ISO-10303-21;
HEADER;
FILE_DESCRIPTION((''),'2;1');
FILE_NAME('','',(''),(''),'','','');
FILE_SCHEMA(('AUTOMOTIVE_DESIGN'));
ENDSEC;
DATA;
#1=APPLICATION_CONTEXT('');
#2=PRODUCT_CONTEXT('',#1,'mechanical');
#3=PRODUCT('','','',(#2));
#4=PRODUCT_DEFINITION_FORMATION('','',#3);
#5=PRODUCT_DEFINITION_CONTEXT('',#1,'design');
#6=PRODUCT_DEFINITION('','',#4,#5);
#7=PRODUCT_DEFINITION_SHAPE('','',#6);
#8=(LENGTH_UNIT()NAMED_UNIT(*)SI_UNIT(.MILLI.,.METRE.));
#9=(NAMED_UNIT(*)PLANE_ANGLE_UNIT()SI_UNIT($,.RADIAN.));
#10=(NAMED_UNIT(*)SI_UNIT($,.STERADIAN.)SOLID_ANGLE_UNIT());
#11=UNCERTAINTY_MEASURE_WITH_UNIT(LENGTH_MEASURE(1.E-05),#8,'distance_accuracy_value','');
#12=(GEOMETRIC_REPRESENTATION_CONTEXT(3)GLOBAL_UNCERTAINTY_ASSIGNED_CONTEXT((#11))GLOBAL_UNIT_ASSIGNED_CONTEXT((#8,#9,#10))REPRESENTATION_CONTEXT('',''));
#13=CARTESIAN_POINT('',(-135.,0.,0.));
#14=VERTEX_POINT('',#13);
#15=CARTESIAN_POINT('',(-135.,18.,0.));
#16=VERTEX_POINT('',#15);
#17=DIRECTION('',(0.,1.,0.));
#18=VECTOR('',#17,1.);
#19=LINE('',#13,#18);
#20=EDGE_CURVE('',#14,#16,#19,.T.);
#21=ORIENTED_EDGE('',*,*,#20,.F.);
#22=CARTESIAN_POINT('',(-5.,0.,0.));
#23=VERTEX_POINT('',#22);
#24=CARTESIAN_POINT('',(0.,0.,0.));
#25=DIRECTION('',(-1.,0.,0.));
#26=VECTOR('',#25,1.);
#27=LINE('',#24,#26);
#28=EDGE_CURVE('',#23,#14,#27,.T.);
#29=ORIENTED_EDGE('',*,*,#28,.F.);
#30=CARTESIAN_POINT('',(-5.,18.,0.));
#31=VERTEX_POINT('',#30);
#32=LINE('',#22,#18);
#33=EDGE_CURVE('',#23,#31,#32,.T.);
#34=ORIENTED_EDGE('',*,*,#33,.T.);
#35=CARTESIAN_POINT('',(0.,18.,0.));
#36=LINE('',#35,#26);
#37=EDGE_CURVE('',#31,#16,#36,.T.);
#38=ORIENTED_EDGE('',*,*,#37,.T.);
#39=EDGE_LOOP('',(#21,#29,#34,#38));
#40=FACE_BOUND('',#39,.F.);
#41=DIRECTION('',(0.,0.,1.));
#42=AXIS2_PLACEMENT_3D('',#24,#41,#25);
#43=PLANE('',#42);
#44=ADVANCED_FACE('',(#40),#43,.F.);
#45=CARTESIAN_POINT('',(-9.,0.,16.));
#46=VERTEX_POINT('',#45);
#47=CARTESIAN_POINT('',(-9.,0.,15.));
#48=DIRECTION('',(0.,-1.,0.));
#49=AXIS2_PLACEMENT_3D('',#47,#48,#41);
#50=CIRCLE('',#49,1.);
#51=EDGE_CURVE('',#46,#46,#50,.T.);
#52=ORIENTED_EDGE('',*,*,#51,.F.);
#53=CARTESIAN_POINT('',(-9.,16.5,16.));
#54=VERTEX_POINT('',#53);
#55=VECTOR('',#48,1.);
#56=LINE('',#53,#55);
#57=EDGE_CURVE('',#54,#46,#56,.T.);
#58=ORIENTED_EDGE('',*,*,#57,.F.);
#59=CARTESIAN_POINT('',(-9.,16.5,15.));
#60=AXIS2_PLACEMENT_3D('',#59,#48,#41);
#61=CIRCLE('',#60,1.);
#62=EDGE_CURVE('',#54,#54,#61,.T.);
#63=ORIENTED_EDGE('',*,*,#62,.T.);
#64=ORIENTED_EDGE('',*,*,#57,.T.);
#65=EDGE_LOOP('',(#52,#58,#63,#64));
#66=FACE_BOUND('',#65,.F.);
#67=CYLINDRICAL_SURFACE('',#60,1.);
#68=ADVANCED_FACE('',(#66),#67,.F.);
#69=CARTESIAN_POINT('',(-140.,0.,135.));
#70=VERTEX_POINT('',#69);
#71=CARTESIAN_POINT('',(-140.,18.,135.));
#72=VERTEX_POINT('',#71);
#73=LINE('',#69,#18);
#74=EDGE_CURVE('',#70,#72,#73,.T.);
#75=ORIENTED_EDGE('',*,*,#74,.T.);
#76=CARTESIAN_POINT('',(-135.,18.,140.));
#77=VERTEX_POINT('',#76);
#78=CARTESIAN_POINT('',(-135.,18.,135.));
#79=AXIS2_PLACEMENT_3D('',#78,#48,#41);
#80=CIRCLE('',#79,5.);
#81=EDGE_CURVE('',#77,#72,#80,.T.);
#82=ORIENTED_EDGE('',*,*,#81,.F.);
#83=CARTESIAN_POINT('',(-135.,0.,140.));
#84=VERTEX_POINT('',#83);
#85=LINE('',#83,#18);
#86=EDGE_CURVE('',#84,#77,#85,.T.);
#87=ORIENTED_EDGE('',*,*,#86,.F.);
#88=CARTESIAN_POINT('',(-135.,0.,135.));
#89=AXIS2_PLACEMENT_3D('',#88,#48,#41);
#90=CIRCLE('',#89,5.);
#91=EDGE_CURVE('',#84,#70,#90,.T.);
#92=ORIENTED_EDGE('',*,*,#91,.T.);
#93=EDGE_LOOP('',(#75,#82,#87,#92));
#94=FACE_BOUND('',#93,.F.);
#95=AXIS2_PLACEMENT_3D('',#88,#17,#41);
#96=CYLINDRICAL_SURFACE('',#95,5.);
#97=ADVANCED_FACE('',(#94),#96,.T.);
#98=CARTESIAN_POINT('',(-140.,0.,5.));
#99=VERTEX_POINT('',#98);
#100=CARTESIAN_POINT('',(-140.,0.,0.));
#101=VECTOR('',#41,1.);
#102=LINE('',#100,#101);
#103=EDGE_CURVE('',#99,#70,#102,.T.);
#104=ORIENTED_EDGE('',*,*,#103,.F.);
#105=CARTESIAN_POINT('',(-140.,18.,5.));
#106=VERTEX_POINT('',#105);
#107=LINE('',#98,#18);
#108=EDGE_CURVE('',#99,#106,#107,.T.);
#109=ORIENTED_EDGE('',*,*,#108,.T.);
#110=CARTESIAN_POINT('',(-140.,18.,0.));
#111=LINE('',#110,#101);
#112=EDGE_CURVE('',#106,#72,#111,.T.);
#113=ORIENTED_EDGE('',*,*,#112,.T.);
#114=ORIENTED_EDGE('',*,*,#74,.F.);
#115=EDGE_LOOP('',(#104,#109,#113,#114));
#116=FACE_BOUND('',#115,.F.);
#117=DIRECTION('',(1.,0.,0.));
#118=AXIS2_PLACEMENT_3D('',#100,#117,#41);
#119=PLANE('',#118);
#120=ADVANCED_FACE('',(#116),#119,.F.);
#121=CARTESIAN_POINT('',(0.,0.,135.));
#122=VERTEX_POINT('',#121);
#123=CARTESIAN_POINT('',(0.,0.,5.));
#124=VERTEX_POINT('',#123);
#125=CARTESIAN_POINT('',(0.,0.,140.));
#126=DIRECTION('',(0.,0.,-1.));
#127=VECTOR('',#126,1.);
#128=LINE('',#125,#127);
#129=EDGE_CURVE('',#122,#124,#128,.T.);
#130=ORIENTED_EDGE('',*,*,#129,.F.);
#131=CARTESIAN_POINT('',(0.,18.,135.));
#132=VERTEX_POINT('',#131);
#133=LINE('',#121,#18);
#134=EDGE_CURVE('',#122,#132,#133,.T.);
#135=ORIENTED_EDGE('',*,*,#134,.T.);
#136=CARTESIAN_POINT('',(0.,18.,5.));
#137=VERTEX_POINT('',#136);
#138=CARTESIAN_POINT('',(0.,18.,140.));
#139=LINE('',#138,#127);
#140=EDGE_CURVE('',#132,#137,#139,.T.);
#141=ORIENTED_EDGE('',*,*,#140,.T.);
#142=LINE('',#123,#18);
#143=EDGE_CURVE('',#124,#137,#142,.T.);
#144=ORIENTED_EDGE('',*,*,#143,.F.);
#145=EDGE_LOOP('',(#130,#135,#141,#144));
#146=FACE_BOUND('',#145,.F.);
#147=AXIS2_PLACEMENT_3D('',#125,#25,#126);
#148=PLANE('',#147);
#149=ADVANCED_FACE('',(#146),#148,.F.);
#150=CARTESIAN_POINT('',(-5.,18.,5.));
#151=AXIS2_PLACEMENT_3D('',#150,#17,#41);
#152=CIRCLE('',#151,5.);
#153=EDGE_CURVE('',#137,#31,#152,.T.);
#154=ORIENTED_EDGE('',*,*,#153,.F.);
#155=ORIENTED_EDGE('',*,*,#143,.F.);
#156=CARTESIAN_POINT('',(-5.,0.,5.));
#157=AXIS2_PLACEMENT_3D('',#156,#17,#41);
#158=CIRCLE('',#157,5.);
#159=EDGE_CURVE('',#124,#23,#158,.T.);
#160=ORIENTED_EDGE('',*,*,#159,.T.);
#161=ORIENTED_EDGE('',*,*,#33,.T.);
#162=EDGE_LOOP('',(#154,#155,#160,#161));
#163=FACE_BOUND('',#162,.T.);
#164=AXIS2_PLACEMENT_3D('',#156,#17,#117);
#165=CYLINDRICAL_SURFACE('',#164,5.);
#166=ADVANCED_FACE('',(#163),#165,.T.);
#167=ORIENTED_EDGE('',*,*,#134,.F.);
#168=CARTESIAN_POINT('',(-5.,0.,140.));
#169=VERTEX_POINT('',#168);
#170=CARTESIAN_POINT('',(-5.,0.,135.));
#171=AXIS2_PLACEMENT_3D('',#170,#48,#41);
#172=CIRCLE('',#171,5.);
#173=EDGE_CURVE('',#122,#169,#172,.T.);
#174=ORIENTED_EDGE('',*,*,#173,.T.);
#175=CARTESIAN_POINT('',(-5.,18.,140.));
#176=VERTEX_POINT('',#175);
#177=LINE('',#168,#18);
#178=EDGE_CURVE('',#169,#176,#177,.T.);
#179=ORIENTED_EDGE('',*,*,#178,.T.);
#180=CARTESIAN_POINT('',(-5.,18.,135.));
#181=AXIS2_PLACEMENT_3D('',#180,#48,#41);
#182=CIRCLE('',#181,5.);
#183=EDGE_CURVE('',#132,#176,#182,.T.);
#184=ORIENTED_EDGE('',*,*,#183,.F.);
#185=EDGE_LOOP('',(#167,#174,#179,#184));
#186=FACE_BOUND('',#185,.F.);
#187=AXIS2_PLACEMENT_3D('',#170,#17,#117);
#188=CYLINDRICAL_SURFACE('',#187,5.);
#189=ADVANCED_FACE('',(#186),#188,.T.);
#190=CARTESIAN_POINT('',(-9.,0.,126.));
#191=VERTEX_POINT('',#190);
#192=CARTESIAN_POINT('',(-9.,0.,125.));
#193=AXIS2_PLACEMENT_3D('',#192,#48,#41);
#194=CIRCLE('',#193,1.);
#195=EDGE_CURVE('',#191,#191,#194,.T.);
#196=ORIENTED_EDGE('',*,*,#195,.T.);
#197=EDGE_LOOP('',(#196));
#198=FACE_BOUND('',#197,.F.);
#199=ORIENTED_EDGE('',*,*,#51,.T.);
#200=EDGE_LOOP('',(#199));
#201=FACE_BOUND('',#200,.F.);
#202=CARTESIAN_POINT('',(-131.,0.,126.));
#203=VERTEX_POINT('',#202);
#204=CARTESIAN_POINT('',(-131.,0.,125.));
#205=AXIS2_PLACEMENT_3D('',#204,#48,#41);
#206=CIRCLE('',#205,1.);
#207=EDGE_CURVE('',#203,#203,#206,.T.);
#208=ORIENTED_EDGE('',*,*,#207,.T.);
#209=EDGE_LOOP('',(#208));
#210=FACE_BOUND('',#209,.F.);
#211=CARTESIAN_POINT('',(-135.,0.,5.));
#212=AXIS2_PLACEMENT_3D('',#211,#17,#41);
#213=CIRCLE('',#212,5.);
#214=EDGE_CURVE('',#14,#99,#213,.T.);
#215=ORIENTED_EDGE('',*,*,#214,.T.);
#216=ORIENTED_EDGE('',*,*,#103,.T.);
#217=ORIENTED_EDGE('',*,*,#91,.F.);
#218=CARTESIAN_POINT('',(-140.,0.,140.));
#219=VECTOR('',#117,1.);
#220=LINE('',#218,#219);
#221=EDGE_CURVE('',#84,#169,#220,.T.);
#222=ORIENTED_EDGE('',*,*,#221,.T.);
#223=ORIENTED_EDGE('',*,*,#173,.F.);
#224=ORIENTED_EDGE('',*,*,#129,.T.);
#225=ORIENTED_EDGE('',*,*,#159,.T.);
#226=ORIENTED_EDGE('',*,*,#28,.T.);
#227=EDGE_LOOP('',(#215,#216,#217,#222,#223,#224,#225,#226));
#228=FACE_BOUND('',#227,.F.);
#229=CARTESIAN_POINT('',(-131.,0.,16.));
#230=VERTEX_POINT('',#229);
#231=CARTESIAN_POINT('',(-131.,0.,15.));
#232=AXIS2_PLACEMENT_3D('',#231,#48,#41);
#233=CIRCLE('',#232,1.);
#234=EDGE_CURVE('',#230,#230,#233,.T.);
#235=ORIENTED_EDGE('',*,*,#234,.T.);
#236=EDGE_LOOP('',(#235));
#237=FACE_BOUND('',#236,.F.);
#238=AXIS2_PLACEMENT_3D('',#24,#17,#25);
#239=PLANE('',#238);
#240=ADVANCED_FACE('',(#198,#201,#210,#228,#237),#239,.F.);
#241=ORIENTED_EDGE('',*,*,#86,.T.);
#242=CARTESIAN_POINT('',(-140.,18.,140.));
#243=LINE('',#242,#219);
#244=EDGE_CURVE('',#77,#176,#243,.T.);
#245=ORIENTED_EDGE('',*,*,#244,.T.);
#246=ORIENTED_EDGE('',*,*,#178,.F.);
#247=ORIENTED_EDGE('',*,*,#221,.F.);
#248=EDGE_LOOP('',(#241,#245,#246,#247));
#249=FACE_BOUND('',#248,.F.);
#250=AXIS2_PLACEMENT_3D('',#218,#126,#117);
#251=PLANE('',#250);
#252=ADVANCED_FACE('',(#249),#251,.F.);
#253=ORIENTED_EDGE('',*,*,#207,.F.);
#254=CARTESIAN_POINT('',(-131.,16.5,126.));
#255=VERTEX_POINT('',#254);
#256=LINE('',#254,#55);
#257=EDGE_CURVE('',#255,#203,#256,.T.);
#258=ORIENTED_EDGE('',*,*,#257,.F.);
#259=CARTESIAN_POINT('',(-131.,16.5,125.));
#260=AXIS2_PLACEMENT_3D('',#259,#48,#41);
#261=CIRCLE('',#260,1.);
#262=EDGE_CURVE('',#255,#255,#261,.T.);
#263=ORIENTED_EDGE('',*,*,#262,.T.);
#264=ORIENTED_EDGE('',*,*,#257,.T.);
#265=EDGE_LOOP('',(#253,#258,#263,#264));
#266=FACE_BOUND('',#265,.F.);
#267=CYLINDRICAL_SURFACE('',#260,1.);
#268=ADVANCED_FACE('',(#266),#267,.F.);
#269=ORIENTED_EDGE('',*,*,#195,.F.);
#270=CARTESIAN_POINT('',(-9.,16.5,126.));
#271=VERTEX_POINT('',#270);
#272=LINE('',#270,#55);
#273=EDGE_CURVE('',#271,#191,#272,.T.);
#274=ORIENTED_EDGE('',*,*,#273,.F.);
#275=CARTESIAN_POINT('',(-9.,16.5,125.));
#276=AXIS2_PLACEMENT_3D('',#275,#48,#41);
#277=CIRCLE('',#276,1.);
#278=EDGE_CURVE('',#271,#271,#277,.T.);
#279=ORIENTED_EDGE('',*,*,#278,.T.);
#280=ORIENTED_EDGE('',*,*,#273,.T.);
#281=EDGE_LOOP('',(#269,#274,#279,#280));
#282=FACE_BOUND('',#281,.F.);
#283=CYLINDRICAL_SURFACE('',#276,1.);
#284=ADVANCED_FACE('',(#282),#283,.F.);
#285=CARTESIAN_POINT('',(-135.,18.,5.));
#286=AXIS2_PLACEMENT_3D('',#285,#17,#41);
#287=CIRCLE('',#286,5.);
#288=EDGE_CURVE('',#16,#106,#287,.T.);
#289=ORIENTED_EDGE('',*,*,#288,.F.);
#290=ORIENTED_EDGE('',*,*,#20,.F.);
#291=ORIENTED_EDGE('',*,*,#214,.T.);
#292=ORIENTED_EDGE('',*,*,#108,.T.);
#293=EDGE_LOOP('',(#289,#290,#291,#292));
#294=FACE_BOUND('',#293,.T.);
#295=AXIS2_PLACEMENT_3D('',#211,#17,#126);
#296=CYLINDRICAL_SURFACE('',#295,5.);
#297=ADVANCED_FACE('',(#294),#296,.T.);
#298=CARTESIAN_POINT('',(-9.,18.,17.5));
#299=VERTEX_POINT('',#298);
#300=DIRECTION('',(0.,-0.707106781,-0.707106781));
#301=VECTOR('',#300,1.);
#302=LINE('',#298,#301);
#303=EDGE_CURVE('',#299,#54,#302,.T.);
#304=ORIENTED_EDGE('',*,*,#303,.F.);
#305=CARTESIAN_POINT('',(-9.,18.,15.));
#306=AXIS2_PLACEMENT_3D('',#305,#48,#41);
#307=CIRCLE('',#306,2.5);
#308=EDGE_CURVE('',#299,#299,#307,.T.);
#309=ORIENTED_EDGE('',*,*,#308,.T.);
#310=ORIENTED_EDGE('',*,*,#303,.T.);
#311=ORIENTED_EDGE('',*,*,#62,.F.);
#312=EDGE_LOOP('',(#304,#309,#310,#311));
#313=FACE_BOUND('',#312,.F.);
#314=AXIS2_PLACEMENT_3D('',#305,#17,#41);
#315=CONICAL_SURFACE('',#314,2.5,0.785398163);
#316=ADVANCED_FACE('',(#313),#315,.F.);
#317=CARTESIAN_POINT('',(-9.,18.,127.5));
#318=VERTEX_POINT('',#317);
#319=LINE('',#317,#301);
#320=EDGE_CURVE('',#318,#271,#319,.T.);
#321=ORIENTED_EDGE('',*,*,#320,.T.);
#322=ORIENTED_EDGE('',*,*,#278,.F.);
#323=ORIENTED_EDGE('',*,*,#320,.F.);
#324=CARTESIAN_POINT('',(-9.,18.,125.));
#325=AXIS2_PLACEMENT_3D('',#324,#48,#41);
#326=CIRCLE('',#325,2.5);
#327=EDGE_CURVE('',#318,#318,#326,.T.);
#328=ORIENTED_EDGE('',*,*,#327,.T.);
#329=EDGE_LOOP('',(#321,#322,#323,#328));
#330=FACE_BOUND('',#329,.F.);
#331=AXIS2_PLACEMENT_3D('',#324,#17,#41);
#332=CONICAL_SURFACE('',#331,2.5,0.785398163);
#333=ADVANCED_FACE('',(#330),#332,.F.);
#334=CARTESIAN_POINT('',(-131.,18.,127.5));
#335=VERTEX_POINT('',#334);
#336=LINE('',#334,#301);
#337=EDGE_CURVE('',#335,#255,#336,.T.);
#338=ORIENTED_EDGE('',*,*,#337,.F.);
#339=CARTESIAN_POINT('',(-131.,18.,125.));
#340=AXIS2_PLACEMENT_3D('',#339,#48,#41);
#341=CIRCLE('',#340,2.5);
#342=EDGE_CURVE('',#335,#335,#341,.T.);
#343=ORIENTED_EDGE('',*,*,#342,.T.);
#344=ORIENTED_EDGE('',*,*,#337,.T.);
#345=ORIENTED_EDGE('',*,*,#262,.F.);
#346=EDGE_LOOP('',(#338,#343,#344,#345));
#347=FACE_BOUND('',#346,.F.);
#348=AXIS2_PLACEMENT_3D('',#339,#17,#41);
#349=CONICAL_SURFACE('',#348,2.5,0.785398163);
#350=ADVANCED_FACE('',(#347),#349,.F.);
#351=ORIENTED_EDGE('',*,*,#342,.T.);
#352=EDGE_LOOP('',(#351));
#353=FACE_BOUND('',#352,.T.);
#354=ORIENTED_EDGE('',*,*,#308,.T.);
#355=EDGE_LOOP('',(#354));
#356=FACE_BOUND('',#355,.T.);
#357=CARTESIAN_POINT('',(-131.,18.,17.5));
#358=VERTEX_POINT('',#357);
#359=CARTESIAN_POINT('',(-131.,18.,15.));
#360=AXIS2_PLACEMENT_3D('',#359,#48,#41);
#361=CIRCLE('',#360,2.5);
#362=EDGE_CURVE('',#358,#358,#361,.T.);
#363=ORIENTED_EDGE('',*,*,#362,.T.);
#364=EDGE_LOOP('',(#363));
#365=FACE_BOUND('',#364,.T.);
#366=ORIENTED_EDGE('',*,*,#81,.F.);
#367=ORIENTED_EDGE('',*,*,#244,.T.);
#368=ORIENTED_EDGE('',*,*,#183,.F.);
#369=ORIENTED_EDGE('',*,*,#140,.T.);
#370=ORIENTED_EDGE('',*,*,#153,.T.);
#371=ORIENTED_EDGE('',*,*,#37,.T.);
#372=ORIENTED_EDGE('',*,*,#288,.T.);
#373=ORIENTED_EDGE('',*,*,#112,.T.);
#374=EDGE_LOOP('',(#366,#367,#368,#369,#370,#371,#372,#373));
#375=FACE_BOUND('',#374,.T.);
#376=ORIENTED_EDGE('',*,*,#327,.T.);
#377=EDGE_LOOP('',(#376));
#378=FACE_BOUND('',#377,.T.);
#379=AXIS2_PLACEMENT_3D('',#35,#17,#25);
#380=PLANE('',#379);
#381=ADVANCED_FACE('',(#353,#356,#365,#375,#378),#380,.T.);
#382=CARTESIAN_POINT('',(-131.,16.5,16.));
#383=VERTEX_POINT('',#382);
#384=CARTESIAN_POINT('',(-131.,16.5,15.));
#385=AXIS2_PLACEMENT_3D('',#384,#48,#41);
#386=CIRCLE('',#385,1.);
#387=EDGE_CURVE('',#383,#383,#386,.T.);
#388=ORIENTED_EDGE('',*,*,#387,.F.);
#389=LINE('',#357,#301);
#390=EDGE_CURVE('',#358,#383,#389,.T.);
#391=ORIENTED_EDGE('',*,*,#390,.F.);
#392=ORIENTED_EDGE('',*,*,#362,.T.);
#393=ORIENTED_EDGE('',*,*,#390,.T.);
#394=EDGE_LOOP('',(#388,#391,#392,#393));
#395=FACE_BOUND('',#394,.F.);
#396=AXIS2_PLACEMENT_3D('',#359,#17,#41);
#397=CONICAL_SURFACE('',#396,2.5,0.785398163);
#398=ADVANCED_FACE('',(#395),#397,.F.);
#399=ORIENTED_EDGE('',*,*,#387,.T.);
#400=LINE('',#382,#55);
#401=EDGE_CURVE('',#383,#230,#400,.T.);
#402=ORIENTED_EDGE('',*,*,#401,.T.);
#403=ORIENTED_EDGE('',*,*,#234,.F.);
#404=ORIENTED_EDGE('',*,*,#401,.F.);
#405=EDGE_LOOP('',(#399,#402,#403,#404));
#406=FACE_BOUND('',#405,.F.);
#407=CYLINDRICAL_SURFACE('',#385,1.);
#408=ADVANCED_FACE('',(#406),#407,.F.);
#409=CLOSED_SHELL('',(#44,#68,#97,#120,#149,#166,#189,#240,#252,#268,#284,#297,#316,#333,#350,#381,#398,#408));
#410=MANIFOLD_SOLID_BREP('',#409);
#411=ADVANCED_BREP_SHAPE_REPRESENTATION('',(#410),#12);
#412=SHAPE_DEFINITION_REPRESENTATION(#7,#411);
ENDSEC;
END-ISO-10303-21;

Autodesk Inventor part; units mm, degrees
ref_plane "YZ Plane" through (0, 0, 0) normal (1, 0, 0) x (0, 1, 0)
ref_plane "XZ Plane" through (0, 0, 0) normal (0, 1, 0) x (-1, 0, 0)
ref_plane "XY Plane" through (0, 0, 0) normal (0, 0, 1) x (1, 0, 0)
sketch "Skizze1" plane through (0, 0, 0) normal (0, 1, 0) x (-1, 0, 0)
  line L0 (0, 0) -> (140, 0)
  line L1 (140, 0) -> (140, 140)
  line L2 (140, 140) -> (0, 140)
  line L3 (0, 140) -> (0, 0)
  dimension "d0" = 140
  dimension "d1" = 140
extrude "Extrusion1" add sketch "Skizze1" along normal blind 18
sketch "Skizze2" plane through (0, 18, 0) normal (0, 1, 0) x (1, 0, 0)
  line L0 (0, 0) -> (-140, 0) projected
  line L1 (-140, 0) -> (-140, -140) projected
  line L2 (-140, -140) -> (0, -140) projected
  line L3 (0, -140) -> (0, 0) projected
  point P0 (-131, -15)
  point P1 (-131, -125)
  point P2 (-9, -15)
  point P3 (-9, -125)
  dimension "d4" = 15
  dimension "d5" = 15
  dimension "d6" = 15
  dimension "d7" = 15
  dimension "d8" = 9
  dimension "d9" = 9
  dimension "d10" = 9
  dimension "d11" = 9
hole "Bohrung1" at (-131, 18, 15) at (-131, 18, 125) at (-9, 18, 15) at (-9, 18, 125) direction (0, -1, 0) diameter 2 end through all countersink diameter 5 countersink angle 90
fillet "Rundung1" radius 5 4 edges at (-140, 9, 0) (-140, 9, 140) (0, 9, 140) (0, 9, 0)
sketch "Skizze3" plane through (0, 0, 0) normal (0, -1, 0) x (1, 0, 0)
  point P0 (-15, 9)
properties part number "Boden" material "Eiche, weiß"
